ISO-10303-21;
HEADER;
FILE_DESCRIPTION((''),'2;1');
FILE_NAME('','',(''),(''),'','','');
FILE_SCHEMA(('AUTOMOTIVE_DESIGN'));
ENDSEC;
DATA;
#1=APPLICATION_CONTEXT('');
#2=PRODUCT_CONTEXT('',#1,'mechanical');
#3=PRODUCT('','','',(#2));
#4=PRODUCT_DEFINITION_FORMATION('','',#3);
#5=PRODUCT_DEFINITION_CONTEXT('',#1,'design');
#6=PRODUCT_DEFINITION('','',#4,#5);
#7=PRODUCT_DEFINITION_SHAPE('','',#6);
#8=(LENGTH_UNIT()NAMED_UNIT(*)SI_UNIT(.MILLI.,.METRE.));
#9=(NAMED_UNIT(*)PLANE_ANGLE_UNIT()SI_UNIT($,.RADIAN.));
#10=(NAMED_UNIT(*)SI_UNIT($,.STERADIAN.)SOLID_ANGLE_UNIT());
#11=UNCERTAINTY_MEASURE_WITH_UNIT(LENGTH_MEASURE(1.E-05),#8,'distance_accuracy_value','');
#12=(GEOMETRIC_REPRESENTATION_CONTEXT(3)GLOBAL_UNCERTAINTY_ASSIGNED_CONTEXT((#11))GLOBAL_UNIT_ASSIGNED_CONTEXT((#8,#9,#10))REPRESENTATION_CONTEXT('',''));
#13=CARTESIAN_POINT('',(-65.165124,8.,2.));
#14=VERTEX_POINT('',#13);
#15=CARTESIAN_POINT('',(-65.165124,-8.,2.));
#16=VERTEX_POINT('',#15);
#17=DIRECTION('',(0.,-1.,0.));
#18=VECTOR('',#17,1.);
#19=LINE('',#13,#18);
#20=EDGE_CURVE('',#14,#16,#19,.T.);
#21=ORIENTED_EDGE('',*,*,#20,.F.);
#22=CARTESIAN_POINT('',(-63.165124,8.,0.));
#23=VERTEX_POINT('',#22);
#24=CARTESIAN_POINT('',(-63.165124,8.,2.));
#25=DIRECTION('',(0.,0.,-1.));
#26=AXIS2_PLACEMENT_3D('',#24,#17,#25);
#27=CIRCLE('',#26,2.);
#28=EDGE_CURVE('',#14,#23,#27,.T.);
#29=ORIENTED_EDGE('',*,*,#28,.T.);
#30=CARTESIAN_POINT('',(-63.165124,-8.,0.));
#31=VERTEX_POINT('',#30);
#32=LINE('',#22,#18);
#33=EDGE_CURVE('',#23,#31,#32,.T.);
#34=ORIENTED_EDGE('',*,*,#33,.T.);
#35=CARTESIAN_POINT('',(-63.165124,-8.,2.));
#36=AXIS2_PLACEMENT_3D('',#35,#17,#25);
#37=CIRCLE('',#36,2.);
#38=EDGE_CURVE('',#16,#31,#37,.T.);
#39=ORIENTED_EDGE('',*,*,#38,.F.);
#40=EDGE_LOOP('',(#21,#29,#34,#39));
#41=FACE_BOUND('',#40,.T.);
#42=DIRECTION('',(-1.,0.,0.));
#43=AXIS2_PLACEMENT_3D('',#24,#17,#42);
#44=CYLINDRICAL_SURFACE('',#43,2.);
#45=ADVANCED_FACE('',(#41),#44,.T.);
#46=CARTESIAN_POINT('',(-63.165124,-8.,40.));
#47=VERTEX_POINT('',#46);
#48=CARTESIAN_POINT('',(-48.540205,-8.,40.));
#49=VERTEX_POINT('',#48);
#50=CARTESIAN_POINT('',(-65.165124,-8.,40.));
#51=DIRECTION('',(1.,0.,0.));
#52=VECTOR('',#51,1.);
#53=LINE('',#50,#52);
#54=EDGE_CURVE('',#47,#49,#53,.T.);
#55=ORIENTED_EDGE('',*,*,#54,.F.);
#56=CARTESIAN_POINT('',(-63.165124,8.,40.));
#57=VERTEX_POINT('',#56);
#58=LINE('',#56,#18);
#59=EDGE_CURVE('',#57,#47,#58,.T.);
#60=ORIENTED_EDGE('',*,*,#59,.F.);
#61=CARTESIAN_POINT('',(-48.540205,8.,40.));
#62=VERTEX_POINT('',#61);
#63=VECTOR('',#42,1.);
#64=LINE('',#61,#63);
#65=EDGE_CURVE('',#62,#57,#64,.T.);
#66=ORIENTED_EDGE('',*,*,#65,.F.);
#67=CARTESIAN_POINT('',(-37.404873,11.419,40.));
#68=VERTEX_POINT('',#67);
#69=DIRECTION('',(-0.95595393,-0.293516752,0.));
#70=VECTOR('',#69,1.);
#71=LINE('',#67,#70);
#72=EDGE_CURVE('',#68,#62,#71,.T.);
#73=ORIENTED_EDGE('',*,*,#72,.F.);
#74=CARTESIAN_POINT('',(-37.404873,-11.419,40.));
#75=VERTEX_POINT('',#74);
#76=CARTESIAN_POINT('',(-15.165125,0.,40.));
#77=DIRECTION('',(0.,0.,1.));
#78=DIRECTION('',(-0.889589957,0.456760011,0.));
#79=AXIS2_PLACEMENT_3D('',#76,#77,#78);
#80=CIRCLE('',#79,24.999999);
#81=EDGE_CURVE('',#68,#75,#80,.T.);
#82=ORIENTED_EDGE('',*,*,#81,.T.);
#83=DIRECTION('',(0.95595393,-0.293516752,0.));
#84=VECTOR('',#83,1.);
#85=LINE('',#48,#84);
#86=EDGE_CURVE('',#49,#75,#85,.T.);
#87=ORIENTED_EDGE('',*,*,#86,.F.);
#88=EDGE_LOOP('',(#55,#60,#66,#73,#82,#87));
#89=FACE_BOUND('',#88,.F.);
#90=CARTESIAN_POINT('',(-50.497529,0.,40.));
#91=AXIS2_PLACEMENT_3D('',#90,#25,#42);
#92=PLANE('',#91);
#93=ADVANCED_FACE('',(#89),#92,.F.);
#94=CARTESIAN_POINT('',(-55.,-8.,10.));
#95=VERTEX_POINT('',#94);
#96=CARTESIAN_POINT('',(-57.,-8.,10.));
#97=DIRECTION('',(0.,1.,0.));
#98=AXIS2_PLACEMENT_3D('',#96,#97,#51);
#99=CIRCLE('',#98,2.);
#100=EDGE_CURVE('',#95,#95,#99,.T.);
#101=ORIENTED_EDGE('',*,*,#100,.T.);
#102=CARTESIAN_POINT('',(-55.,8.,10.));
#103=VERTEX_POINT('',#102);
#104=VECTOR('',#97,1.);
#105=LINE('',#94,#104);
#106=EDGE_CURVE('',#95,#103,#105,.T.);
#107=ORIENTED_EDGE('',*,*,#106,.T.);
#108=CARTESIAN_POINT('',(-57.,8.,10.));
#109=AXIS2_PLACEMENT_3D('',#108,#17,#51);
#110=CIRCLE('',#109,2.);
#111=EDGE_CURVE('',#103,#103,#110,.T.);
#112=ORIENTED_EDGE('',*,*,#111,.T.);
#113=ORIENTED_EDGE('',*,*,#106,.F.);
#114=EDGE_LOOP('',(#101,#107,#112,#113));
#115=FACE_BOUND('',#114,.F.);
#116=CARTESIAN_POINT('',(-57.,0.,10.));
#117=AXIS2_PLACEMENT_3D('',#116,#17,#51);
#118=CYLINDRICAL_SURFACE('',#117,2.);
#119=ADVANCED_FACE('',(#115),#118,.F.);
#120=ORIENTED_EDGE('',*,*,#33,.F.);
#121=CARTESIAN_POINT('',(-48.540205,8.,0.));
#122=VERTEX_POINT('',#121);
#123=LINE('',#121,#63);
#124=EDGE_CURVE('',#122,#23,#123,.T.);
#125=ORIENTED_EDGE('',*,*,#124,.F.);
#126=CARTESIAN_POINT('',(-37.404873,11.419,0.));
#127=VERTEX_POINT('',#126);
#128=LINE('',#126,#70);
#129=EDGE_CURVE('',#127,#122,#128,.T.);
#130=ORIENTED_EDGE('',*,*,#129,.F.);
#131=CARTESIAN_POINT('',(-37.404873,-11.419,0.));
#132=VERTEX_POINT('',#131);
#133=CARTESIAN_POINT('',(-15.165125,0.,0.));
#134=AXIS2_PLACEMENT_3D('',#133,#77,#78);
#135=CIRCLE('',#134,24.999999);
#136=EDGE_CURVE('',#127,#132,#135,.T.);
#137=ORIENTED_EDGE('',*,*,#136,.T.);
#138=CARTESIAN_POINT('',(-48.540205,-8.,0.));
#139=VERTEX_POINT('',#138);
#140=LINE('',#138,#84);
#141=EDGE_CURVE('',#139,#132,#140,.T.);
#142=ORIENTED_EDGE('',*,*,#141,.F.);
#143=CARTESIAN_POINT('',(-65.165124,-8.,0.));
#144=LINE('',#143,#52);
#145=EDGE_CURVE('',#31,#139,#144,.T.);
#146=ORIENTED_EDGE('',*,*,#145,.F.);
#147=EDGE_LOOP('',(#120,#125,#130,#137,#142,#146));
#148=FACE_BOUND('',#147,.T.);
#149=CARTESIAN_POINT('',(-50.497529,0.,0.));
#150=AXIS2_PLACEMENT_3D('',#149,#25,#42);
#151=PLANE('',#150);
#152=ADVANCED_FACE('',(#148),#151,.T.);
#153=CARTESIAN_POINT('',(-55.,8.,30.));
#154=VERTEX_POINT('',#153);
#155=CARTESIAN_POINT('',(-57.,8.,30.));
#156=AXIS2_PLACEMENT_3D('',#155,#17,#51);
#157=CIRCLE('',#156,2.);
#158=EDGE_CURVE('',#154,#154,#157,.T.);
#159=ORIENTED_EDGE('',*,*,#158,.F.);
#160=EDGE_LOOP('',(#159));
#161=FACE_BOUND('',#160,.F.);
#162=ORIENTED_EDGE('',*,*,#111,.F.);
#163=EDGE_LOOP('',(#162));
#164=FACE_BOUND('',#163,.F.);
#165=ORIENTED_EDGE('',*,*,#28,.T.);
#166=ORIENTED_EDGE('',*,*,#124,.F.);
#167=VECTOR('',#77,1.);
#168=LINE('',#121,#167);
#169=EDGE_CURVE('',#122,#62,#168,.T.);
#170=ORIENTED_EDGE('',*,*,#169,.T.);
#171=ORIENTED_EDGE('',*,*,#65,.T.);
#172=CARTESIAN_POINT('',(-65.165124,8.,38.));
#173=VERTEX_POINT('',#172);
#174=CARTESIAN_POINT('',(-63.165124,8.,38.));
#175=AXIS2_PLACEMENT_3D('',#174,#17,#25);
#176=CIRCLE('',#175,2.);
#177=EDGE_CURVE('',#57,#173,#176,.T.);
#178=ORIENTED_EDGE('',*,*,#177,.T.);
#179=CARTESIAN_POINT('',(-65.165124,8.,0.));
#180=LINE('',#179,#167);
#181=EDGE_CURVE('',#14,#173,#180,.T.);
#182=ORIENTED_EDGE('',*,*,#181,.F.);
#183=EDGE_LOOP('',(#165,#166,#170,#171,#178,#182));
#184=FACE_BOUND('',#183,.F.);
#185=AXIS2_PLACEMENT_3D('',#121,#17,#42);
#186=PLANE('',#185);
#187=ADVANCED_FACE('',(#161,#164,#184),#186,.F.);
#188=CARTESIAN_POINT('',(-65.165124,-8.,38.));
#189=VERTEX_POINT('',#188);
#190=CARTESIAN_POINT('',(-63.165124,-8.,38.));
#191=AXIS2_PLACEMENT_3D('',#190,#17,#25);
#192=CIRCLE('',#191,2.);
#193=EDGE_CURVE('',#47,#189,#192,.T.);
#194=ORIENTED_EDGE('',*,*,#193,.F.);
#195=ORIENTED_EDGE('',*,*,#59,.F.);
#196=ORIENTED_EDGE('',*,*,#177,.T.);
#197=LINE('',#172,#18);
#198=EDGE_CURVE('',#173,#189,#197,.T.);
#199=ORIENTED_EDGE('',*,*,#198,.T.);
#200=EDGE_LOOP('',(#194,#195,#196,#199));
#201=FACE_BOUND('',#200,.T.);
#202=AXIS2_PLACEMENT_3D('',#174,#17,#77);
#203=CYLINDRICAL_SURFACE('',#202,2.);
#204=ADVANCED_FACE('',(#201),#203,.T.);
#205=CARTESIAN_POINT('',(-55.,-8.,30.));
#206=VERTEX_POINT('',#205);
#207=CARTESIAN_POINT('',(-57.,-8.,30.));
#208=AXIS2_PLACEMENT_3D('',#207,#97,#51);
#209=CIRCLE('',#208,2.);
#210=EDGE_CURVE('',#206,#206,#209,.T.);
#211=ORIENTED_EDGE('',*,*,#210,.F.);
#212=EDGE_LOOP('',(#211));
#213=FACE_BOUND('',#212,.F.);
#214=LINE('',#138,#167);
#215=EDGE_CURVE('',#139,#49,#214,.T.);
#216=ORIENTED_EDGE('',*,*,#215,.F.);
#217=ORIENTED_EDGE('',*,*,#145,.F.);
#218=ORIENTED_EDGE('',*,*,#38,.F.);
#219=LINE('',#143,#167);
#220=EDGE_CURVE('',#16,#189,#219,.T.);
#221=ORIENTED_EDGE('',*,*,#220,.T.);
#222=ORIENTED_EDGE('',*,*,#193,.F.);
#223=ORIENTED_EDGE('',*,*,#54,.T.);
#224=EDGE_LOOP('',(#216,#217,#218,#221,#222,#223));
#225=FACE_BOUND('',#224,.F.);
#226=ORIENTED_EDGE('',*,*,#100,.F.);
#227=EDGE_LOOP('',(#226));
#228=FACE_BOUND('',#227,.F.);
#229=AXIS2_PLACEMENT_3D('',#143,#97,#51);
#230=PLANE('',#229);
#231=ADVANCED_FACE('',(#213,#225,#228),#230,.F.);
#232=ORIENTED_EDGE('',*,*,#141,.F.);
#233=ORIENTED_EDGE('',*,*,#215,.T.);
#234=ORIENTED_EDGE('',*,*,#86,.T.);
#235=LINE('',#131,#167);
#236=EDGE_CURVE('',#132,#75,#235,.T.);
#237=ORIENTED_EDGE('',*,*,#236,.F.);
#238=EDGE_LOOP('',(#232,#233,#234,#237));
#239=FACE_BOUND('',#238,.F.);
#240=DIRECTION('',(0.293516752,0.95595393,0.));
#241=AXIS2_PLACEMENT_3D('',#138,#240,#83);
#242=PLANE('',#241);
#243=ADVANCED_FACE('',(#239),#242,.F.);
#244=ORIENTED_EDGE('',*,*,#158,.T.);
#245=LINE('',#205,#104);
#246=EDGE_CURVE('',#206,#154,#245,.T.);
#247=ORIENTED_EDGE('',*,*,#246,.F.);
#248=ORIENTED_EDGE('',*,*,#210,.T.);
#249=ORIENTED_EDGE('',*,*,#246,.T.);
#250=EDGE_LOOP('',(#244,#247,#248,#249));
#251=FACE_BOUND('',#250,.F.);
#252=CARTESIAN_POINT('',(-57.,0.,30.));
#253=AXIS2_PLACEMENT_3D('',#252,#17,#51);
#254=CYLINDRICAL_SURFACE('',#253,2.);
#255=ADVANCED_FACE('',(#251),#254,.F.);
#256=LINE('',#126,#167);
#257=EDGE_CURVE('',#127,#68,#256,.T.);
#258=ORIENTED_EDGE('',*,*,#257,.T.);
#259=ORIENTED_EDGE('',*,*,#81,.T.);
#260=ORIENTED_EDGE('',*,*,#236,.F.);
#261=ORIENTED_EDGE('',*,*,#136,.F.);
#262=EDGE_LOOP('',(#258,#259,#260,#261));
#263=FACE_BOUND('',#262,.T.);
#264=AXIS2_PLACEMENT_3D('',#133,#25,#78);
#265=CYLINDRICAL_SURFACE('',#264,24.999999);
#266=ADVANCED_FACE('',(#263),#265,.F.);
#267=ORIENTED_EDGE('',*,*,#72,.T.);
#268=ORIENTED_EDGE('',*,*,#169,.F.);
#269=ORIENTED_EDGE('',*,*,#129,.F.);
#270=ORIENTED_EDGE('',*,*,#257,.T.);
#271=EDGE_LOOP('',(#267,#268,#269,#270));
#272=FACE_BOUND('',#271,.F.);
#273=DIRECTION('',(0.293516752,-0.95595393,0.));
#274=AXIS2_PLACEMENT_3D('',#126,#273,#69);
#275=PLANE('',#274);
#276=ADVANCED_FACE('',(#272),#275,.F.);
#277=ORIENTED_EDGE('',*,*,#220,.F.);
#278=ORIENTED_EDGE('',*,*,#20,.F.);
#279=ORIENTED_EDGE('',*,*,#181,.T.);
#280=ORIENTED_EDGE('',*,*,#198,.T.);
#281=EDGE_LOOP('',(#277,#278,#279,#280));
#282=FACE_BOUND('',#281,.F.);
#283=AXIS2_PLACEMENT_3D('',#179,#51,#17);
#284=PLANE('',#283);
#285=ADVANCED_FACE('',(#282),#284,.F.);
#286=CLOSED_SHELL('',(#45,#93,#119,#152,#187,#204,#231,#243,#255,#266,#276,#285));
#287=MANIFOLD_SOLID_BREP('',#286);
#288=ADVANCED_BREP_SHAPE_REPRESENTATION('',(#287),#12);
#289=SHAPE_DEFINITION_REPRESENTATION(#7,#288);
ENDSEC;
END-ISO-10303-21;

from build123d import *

# Parameters (mm, degrees)
PAD002_DEPTH         = 40
SKETCH005_R          = 2
POCKET002_DEPTH      = 11.42
POCKET002_DEPTH_BACK = 11.42
FILLET003_R          = 2


with BuildPart() as part:
    # Sketch004 → Pad002 (new body)
    with BuildSketch(Plane.XY):
        with BuildLine():
            ThreePointArc((-7.404873, 11.419), (-10.165124, 0), (-7.404873, -11.419))
            Line((-18.540205, -8), (-7.404873, -11.419))
            Line((-35.165124, -8), (-18.540205, -8))
            Line((-35.165124, 8), (-35.165124, -8))
            Line((-18.540205, 8), (-35.165124, 8))
            Line((-7.404873, 11.419), (-18.540205, 8))
        make_face()
    extrude(amount=PAD002_DEPTH)

    # Sketch005 → Pocket002 (cut, two sides)
    with BuildSketch(Plane.XZ) as pocket002_sk:
        with Locations((-27, 30)):
            Circle(SKETCH005_R)
        with Locations((-27, 10)):
            Circle(SKETCH005_R)
    extrude(amount=-POCKET002_DEPTH, mode=Mode.SUBTRACT)
    extrude(pocket002_sk.sketch, amount=POCKET002_DEPTH_BACK, mode=Mode.SUBTRACT)

    # Fillet003
    fillet003_edges = [part.edges().sort_by_distance(p)[0] for p in [
        (-35.165124, 0, 40),
        (-35.165124, 0, 0),
    ]]
    fillet(fillet003_edges, radius=FILLET003_R)


with BuildPart() as part_1:
    # Body002 placement: moved
    add(part.part.moved(Location((-30, 0, 0))))


solid = part_1.part
